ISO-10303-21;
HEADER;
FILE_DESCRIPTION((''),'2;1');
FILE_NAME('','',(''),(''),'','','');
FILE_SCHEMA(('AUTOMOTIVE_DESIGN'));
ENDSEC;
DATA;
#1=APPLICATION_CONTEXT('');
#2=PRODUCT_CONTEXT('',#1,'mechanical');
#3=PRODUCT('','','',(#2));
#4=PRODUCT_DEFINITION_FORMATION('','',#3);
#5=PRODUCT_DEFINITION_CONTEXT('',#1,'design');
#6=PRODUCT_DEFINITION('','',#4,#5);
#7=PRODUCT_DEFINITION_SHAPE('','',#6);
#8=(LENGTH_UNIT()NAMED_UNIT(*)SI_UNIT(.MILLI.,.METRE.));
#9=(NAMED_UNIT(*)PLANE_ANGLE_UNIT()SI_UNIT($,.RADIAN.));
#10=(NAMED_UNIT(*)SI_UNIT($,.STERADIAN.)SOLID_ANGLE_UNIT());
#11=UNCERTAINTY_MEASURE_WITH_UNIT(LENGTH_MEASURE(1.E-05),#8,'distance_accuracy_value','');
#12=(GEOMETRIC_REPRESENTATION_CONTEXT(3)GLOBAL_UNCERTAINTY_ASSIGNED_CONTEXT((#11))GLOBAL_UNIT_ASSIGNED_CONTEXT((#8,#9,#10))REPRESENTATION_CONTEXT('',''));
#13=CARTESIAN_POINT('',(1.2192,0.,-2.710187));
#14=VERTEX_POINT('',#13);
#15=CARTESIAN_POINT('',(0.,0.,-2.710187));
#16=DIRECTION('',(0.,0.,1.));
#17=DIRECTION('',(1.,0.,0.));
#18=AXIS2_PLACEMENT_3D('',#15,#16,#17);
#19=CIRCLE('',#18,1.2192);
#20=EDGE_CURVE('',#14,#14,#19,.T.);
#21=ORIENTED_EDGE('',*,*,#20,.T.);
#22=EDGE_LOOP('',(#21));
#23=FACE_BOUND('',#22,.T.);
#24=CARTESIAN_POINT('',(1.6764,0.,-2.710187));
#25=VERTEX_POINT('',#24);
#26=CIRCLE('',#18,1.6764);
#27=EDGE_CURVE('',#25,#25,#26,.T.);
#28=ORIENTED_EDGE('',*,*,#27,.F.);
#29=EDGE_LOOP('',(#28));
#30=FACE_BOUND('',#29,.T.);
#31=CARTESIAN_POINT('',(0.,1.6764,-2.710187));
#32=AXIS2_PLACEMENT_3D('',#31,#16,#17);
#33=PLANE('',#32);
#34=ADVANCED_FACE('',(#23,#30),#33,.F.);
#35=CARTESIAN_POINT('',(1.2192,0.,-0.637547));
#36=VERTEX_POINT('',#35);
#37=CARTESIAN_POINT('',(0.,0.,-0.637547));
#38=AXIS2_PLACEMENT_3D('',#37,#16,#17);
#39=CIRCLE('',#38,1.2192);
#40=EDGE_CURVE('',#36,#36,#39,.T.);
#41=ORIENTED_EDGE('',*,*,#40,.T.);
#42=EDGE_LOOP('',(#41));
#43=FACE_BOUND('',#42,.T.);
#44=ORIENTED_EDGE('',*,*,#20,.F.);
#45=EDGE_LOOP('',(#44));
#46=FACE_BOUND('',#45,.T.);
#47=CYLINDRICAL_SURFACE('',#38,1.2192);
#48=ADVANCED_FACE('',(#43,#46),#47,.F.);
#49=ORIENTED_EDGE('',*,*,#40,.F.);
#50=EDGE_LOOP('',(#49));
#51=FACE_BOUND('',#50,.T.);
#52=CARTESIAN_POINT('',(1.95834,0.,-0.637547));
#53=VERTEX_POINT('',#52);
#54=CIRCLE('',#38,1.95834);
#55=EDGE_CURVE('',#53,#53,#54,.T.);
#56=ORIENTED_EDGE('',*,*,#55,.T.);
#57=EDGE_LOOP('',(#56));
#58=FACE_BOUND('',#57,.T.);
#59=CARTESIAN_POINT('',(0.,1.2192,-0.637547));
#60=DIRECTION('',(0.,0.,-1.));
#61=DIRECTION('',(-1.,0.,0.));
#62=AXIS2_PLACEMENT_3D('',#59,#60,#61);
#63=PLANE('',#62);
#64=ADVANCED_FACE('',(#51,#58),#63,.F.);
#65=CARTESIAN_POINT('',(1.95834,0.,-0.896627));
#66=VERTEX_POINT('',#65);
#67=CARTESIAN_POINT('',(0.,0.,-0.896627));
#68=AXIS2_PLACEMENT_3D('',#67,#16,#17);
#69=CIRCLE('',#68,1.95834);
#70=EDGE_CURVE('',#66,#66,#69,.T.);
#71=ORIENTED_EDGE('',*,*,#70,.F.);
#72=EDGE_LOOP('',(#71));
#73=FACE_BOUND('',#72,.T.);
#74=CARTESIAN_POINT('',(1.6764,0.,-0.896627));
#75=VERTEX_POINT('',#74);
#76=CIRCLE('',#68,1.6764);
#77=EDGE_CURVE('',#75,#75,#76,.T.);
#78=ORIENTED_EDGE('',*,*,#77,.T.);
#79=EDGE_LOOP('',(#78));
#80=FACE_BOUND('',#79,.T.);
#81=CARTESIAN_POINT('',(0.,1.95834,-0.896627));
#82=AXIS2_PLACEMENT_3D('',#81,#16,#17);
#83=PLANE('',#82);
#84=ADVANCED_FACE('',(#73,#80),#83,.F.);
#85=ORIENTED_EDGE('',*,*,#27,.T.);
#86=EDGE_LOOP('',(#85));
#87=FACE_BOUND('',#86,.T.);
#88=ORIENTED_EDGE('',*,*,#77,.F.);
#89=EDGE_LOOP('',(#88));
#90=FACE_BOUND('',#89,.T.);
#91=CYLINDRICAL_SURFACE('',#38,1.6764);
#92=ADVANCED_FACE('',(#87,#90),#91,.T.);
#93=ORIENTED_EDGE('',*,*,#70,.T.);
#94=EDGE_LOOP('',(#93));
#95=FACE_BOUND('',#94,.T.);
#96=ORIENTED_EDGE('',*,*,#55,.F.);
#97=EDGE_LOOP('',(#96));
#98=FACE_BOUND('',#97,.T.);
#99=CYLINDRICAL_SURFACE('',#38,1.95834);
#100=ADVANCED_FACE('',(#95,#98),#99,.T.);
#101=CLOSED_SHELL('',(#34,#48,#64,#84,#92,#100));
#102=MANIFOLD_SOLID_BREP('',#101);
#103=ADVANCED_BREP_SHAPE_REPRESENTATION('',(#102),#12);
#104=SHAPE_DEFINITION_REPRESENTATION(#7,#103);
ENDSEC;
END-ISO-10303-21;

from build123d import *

# Parameters (mm, degrees)
SCALE1_SCALE = 0.6


with BuildPart() as part:
    # Sketch1 → Revolve1 (revolve)
    with BuildSketch(Plane(origin=(0, 0, 0), x_dir=(0, 0, -1), z_dir=(1, 0, 0)), mode=Mode.PRIVATE) as revolve1_sk:
        Polygon((0, 2.032), (0, 3.2639), (0.4318, 3.2639), (0.4318, 2.794), (3.4544, 2.794), (3.4544, 2.032), align=None)
    revolve(revolve1_sk.sketch.rotate(Axis((0, 0, 0), (0, 0, -1)), 90), axis=Axis((0, 0, 0), (0, 0, -1)))


with BuildPart() as part_1:
    # Scale1: scaled about (0, 0, -1.593867998)
    add(part.part.scale(SCALE1_SCALE).moved(Location((0, 0, -0.637547199))))


solid = part_1.part
